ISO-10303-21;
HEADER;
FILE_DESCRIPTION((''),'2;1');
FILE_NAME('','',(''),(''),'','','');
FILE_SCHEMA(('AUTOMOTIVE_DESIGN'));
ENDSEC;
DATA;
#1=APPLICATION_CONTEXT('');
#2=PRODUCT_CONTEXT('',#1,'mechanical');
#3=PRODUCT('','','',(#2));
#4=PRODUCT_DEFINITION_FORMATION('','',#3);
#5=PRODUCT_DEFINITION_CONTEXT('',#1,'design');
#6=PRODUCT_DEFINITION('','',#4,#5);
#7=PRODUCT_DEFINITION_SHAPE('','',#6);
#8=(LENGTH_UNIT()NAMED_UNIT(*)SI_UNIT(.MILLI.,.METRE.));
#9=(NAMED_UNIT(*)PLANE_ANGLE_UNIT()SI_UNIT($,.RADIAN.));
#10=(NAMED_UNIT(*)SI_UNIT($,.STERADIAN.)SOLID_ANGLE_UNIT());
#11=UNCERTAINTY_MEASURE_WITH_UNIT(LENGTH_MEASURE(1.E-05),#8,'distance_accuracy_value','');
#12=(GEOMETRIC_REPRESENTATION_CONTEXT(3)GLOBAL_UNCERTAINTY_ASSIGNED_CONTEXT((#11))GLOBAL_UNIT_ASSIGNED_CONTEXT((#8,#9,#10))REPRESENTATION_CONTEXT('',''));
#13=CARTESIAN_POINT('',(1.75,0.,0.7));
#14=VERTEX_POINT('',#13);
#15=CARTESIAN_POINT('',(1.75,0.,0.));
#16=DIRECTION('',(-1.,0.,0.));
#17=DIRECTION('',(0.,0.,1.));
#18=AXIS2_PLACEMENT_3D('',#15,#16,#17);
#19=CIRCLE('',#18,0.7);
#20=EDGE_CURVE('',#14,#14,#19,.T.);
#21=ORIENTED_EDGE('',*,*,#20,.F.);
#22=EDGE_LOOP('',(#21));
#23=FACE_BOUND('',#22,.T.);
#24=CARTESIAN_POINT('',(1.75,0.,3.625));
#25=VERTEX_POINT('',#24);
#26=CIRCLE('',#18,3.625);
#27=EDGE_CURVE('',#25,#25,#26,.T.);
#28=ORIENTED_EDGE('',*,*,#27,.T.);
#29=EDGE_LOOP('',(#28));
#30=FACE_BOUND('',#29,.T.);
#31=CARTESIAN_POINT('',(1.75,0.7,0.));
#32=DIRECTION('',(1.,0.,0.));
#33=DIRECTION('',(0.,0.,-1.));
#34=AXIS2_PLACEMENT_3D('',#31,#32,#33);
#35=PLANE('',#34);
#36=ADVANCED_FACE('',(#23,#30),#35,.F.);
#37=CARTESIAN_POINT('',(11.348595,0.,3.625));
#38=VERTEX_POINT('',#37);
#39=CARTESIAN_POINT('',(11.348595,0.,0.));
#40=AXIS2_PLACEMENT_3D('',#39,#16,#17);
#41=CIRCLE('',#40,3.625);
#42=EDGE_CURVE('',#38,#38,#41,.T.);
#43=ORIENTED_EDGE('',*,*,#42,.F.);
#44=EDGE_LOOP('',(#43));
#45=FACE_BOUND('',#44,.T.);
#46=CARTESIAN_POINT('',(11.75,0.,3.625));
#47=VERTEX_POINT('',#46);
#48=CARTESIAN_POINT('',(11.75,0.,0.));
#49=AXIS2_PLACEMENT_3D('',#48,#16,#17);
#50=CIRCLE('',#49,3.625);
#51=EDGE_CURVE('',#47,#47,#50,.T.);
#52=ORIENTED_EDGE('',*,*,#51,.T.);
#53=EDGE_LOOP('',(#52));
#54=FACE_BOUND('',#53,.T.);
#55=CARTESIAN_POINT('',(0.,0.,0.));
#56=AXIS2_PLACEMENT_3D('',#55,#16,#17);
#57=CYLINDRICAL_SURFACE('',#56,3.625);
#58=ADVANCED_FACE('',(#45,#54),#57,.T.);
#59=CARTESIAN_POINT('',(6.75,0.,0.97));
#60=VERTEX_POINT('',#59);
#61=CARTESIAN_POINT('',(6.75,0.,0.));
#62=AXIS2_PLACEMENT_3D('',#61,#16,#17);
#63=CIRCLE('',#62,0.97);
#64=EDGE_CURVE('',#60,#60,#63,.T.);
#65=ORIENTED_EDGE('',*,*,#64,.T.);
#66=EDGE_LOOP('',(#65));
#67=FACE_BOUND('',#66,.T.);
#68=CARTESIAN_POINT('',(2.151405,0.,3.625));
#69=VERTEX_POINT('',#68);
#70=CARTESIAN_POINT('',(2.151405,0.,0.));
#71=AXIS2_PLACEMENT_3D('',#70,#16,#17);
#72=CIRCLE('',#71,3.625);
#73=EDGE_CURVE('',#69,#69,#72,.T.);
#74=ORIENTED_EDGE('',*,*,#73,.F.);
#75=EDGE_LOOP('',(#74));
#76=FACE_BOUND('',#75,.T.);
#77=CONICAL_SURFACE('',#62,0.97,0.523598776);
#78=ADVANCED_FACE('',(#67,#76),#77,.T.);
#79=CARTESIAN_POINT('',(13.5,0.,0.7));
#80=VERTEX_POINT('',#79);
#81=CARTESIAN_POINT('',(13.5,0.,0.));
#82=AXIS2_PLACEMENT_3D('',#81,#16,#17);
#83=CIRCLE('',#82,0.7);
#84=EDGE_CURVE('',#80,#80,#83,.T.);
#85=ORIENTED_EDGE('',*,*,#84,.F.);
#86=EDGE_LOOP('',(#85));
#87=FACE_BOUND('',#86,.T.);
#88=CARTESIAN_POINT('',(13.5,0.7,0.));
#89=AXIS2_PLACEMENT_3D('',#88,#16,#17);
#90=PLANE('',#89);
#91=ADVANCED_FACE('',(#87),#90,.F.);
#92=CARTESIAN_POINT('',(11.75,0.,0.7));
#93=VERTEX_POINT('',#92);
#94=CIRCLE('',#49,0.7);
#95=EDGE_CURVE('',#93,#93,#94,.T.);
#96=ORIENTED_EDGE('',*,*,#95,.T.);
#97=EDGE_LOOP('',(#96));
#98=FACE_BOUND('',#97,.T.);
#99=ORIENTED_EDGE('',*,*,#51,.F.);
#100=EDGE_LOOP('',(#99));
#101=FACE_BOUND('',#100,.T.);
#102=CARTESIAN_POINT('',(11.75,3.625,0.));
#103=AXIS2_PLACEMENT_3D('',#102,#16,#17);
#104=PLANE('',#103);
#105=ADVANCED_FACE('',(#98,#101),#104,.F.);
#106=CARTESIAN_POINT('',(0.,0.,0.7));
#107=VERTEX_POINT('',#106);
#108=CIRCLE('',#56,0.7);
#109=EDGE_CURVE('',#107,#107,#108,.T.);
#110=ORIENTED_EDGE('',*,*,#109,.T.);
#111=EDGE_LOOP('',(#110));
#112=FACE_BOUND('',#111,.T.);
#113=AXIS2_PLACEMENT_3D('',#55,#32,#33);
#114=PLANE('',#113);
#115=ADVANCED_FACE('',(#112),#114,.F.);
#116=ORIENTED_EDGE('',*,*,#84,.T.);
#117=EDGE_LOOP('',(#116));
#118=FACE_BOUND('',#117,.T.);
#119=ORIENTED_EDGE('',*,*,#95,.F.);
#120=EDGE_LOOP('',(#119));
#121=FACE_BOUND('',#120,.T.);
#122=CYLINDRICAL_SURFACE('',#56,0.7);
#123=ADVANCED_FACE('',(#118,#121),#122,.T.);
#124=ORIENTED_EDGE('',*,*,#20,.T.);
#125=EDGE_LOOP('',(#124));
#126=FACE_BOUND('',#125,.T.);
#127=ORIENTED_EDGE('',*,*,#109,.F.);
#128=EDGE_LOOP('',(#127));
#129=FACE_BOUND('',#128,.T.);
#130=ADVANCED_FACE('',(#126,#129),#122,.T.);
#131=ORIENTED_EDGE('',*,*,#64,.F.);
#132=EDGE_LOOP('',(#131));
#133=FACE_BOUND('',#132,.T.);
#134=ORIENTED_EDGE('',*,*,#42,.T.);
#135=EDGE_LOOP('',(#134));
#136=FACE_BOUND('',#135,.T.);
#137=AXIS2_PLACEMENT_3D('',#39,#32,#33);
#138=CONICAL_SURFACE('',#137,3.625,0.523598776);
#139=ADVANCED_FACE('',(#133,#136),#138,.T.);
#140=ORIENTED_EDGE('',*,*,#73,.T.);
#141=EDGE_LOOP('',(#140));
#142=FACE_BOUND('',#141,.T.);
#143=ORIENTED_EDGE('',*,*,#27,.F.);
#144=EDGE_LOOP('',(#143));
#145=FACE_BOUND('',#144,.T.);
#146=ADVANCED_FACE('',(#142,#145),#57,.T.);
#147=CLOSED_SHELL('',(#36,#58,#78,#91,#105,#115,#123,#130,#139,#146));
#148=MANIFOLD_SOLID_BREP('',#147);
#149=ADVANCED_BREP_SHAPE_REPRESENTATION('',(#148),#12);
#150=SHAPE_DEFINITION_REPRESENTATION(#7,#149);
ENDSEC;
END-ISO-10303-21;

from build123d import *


with BuildPart() as part:
    # Sketch1 → Revolve1 (revolve)
    with BuildSketch(Plane.XY):
        Polygon((0, 0), (0, 0.7), (1.75, 0.7), (1.75, 3.625), (2.151405106, 3.625), (6.75, 0.97), (11.348594894, 3.625), (11.75, 3.625), (11.75, 0.7), (13.5, 0.7), (13.5, 0), align=None)
    revolve(axis=Axis((0, 0, 0), (1, 0, 0)))


solid = part.part
